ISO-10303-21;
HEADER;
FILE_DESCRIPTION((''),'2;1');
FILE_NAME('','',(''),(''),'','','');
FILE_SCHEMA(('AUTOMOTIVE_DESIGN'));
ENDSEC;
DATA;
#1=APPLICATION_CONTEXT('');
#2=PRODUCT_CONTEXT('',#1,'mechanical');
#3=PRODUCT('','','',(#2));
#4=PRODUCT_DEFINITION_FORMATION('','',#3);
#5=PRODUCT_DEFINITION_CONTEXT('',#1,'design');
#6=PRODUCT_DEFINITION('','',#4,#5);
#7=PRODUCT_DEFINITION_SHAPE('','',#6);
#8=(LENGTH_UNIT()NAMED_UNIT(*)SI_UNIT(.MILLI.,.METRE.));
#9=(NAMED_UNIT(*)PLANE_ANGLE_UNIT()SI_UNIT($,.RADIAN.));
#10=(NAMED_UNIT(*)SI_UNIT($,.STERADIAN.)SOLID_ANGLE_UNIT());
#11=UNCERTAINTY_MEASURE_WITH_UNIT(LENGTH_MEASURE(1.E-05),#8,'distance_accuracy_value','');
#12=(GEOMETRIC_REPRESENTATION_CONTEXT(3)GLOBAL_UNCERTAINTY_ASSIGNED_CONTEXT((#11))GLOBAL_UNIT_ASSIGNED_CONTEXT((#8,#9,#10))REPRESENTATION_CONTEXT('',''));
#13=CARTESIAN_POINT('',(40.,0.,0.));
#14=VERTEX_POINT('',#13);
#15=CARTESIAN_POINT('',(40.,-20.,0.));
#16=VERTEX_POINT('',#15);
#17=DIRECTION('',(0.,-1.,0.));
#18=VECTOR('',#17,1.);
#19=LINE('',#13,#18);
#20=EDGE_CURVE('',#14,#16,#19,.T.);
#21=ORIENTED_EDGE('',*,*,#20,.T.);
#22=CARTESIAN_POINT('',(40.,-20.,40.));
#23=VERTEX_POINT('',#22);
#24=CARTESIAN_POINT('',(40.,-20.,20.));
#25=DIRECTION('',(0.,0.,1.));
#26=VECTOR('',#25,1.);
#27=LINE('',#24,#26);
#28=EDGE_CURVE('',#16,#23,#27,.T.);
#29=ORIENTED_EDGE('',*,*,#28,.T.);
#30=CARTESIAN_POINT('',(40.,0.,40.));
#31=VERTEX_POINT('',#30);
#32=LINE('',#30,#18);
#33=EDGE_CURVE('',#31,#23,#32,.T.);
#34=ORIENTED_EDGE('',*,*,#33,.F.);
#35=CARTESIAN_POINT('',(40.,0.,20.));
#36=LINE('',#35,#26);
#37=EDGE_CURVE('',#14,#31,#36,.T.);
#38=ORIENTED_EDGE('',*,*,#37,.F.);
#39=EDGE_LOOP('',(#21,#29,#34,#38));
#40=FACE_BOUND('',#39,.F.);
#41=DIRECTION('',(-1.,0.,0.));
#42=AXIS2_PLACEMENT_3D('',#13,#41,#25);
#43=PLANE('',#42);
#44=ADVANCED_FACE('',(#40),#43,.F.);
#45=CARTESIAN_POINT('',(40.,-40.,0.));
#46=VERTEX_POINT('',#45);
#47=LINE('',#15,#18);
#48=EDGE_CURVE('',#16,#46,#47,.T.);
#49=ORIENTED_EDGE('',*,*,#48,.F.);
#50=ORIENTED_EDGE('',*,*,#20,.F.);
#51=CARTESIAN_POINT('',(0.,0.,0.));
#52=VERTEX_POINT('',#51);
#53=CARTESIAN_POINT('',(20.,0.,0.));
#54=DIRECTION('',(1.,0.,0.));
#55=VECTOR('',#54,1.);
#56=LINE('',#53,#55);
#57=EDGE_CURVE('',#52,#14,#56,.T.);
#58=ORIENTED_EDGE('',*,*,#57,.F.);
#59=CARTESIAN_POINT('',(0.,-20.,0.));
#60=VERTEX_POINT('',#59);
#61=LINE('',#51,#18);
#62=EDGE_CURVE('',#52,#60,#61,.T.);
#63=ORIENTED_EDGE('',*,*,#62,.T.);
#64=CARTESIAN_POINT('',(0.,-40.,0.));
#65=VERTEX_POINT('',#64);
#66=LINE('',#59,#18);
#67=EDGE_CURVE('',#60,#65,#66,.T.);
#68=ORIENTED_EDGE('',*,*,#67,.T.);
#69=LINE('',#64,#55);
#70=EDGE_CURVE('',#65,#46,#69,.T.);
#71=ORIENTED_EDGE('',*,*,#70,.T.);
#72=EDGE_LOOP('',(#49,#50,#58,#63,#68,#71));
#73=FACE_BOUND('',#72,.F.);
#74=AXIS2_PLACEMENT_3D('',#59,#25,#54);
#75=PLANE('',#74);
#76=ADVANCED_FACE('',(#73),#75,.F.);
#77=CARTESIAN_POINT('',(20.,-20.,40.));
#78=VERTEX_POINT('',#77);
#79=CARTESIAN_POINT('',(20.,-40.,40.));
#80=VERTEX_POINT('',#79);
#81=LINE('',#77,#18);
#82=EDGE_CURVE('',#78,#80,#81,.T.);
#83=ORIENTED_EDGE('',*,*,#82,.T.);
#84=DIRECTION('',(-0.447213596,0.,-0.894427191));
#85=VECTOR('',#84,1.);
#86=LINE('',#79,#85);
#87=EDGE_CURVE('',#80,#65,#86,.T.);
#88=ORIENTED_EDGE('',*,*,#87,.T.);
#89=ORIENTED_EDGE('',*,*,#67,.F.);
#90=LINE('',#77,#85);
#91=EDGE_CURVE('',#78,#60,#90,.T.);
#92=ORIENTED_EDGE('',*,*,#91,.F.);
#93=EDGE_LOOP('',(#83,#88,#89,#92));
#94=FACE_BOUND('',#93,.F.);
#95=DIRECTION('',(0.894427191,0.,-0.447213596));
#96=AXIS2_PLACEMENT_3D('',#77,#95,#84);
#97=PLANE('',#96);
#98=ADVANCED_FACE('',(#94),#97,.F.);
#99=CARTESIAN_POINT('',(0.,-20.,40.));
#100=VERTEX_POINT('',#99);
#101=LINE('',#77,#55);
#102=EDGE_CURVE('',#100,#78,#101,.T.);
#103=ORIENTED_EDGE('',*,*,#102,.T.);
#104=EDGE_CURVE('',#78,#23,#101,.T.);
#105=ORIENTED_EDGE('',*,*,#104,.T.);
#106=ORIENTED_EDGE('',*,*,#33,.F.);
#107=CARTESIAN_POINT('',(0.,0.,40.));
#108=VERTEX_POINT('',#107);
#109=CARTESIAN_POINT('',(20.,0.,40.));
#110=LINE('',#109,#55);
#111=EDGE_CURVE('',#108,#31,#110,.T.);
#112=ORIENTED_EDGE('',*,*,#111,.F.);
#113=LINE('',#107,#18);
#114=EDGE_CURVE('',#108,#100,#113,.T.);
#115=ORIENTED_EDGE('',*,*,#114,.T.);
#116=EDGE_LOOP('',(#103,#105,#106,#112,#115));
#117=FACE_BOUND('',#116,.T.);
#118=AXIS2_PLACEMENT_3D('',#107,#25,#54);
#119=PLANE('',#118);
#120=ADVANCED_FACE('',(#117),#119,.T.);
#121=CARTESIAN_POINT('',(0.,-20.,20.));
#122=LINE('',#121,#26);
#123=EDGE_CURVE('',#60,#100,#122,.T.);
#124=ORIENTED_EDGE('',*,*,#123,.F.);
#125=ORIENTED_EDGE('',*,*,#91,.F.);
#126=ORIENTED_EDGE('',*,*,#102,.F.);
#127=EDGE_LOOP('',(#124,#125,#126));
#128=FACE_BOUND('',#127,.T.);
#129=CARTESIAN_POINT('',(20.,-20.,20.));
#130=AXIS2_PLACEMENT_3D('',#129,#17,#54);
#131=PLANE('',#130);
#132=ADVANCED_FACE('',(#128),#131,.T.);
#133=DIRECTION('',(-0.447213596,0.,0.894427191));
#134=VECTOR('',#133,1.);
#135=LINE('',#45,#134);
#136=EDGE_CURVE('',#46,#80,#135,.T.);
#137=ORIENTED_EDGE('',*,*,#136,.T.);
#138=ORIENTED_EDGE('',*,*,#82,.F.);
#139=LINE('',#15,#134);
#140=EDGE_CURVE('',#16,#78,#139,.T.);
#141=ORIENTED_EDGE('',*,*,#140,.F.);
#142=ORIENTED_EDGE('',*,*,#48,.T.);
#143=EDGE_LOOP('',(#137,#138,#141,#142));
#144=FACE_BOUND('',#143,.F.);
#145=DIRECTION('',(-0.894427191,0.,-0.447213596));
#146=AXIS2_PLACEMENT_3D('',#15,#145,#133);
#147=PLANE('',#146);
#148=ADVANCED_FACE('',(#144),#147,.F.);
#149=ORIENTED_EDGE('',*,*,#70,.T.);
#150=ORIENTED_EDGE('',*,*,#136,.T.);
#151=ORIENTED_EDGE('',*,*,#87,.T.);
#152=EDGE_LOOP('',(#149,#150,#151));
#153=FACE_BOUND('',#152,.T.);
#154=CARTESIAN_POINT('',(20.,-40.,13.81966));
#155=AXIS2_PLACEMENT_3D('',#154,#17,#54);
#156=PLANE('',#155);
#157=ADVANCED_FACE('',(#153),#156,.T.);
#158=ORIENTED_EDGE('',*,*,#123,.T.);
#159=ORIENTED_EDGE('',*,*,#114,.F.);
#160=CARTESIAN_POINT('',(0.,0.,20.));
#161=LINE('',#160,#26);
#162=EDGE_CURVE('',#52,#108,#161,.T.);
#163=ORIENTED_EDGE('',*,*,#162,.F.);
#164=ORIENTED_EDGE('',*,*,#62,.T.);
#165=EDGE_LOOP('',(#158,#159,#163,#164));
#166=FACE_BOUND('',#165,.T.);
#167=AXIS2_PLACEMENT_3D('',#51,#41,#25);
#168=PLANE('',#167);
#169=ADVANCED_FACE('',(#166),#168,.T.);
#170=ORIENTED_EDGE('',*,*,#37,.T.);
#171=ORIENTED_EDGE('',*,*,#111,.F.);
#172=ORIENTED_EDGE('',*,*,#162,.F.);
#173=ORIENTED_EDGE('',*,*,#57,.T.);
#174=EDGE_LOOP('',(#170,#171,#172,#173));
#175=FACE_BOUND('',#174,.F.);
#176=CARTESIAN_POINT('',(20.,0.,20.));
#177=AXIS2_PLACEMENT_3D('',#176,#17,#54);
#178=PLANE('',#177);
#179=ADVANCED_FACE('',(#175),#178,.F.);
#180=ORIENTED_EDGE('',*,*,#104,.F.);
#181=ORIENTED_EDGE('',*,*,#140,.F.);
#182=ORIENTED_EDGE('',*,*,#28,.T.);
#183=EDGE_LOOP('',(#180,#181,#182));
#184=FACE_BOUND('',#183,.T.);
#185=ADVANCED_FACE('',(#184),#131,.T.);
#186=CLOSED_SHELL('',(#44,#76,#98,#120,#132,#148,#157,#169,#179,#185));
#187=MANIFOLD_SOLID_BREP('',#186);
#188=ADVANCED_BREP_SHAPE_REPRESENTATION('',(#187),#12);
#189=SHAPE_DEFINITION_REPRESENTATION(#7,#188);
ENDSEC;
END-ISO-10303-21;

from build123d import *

# Parameters (mm, degrees)
F0_W     = 40
F0_H     = 40
F1_DEPTH = 20
F3_DEPTH = 20


with BuildPart() as f1:
    # F0 (on Front) → F1 (new body)
    with BuildSketch(Plane.XZ):
        with Locations((20, 20)):
            Rectangle(F0_W, F0_H)
    extrude(amount=F1_DEPTH)

    # F2 (on face) → F3 (join)
    with BuildSketch(Plane.XZ.offset(20)):
        Polygon((20, 40), (0, 0), (40, 0), align=None)
    extrude(amount=F3_DEPTH)


solid = f1.part
